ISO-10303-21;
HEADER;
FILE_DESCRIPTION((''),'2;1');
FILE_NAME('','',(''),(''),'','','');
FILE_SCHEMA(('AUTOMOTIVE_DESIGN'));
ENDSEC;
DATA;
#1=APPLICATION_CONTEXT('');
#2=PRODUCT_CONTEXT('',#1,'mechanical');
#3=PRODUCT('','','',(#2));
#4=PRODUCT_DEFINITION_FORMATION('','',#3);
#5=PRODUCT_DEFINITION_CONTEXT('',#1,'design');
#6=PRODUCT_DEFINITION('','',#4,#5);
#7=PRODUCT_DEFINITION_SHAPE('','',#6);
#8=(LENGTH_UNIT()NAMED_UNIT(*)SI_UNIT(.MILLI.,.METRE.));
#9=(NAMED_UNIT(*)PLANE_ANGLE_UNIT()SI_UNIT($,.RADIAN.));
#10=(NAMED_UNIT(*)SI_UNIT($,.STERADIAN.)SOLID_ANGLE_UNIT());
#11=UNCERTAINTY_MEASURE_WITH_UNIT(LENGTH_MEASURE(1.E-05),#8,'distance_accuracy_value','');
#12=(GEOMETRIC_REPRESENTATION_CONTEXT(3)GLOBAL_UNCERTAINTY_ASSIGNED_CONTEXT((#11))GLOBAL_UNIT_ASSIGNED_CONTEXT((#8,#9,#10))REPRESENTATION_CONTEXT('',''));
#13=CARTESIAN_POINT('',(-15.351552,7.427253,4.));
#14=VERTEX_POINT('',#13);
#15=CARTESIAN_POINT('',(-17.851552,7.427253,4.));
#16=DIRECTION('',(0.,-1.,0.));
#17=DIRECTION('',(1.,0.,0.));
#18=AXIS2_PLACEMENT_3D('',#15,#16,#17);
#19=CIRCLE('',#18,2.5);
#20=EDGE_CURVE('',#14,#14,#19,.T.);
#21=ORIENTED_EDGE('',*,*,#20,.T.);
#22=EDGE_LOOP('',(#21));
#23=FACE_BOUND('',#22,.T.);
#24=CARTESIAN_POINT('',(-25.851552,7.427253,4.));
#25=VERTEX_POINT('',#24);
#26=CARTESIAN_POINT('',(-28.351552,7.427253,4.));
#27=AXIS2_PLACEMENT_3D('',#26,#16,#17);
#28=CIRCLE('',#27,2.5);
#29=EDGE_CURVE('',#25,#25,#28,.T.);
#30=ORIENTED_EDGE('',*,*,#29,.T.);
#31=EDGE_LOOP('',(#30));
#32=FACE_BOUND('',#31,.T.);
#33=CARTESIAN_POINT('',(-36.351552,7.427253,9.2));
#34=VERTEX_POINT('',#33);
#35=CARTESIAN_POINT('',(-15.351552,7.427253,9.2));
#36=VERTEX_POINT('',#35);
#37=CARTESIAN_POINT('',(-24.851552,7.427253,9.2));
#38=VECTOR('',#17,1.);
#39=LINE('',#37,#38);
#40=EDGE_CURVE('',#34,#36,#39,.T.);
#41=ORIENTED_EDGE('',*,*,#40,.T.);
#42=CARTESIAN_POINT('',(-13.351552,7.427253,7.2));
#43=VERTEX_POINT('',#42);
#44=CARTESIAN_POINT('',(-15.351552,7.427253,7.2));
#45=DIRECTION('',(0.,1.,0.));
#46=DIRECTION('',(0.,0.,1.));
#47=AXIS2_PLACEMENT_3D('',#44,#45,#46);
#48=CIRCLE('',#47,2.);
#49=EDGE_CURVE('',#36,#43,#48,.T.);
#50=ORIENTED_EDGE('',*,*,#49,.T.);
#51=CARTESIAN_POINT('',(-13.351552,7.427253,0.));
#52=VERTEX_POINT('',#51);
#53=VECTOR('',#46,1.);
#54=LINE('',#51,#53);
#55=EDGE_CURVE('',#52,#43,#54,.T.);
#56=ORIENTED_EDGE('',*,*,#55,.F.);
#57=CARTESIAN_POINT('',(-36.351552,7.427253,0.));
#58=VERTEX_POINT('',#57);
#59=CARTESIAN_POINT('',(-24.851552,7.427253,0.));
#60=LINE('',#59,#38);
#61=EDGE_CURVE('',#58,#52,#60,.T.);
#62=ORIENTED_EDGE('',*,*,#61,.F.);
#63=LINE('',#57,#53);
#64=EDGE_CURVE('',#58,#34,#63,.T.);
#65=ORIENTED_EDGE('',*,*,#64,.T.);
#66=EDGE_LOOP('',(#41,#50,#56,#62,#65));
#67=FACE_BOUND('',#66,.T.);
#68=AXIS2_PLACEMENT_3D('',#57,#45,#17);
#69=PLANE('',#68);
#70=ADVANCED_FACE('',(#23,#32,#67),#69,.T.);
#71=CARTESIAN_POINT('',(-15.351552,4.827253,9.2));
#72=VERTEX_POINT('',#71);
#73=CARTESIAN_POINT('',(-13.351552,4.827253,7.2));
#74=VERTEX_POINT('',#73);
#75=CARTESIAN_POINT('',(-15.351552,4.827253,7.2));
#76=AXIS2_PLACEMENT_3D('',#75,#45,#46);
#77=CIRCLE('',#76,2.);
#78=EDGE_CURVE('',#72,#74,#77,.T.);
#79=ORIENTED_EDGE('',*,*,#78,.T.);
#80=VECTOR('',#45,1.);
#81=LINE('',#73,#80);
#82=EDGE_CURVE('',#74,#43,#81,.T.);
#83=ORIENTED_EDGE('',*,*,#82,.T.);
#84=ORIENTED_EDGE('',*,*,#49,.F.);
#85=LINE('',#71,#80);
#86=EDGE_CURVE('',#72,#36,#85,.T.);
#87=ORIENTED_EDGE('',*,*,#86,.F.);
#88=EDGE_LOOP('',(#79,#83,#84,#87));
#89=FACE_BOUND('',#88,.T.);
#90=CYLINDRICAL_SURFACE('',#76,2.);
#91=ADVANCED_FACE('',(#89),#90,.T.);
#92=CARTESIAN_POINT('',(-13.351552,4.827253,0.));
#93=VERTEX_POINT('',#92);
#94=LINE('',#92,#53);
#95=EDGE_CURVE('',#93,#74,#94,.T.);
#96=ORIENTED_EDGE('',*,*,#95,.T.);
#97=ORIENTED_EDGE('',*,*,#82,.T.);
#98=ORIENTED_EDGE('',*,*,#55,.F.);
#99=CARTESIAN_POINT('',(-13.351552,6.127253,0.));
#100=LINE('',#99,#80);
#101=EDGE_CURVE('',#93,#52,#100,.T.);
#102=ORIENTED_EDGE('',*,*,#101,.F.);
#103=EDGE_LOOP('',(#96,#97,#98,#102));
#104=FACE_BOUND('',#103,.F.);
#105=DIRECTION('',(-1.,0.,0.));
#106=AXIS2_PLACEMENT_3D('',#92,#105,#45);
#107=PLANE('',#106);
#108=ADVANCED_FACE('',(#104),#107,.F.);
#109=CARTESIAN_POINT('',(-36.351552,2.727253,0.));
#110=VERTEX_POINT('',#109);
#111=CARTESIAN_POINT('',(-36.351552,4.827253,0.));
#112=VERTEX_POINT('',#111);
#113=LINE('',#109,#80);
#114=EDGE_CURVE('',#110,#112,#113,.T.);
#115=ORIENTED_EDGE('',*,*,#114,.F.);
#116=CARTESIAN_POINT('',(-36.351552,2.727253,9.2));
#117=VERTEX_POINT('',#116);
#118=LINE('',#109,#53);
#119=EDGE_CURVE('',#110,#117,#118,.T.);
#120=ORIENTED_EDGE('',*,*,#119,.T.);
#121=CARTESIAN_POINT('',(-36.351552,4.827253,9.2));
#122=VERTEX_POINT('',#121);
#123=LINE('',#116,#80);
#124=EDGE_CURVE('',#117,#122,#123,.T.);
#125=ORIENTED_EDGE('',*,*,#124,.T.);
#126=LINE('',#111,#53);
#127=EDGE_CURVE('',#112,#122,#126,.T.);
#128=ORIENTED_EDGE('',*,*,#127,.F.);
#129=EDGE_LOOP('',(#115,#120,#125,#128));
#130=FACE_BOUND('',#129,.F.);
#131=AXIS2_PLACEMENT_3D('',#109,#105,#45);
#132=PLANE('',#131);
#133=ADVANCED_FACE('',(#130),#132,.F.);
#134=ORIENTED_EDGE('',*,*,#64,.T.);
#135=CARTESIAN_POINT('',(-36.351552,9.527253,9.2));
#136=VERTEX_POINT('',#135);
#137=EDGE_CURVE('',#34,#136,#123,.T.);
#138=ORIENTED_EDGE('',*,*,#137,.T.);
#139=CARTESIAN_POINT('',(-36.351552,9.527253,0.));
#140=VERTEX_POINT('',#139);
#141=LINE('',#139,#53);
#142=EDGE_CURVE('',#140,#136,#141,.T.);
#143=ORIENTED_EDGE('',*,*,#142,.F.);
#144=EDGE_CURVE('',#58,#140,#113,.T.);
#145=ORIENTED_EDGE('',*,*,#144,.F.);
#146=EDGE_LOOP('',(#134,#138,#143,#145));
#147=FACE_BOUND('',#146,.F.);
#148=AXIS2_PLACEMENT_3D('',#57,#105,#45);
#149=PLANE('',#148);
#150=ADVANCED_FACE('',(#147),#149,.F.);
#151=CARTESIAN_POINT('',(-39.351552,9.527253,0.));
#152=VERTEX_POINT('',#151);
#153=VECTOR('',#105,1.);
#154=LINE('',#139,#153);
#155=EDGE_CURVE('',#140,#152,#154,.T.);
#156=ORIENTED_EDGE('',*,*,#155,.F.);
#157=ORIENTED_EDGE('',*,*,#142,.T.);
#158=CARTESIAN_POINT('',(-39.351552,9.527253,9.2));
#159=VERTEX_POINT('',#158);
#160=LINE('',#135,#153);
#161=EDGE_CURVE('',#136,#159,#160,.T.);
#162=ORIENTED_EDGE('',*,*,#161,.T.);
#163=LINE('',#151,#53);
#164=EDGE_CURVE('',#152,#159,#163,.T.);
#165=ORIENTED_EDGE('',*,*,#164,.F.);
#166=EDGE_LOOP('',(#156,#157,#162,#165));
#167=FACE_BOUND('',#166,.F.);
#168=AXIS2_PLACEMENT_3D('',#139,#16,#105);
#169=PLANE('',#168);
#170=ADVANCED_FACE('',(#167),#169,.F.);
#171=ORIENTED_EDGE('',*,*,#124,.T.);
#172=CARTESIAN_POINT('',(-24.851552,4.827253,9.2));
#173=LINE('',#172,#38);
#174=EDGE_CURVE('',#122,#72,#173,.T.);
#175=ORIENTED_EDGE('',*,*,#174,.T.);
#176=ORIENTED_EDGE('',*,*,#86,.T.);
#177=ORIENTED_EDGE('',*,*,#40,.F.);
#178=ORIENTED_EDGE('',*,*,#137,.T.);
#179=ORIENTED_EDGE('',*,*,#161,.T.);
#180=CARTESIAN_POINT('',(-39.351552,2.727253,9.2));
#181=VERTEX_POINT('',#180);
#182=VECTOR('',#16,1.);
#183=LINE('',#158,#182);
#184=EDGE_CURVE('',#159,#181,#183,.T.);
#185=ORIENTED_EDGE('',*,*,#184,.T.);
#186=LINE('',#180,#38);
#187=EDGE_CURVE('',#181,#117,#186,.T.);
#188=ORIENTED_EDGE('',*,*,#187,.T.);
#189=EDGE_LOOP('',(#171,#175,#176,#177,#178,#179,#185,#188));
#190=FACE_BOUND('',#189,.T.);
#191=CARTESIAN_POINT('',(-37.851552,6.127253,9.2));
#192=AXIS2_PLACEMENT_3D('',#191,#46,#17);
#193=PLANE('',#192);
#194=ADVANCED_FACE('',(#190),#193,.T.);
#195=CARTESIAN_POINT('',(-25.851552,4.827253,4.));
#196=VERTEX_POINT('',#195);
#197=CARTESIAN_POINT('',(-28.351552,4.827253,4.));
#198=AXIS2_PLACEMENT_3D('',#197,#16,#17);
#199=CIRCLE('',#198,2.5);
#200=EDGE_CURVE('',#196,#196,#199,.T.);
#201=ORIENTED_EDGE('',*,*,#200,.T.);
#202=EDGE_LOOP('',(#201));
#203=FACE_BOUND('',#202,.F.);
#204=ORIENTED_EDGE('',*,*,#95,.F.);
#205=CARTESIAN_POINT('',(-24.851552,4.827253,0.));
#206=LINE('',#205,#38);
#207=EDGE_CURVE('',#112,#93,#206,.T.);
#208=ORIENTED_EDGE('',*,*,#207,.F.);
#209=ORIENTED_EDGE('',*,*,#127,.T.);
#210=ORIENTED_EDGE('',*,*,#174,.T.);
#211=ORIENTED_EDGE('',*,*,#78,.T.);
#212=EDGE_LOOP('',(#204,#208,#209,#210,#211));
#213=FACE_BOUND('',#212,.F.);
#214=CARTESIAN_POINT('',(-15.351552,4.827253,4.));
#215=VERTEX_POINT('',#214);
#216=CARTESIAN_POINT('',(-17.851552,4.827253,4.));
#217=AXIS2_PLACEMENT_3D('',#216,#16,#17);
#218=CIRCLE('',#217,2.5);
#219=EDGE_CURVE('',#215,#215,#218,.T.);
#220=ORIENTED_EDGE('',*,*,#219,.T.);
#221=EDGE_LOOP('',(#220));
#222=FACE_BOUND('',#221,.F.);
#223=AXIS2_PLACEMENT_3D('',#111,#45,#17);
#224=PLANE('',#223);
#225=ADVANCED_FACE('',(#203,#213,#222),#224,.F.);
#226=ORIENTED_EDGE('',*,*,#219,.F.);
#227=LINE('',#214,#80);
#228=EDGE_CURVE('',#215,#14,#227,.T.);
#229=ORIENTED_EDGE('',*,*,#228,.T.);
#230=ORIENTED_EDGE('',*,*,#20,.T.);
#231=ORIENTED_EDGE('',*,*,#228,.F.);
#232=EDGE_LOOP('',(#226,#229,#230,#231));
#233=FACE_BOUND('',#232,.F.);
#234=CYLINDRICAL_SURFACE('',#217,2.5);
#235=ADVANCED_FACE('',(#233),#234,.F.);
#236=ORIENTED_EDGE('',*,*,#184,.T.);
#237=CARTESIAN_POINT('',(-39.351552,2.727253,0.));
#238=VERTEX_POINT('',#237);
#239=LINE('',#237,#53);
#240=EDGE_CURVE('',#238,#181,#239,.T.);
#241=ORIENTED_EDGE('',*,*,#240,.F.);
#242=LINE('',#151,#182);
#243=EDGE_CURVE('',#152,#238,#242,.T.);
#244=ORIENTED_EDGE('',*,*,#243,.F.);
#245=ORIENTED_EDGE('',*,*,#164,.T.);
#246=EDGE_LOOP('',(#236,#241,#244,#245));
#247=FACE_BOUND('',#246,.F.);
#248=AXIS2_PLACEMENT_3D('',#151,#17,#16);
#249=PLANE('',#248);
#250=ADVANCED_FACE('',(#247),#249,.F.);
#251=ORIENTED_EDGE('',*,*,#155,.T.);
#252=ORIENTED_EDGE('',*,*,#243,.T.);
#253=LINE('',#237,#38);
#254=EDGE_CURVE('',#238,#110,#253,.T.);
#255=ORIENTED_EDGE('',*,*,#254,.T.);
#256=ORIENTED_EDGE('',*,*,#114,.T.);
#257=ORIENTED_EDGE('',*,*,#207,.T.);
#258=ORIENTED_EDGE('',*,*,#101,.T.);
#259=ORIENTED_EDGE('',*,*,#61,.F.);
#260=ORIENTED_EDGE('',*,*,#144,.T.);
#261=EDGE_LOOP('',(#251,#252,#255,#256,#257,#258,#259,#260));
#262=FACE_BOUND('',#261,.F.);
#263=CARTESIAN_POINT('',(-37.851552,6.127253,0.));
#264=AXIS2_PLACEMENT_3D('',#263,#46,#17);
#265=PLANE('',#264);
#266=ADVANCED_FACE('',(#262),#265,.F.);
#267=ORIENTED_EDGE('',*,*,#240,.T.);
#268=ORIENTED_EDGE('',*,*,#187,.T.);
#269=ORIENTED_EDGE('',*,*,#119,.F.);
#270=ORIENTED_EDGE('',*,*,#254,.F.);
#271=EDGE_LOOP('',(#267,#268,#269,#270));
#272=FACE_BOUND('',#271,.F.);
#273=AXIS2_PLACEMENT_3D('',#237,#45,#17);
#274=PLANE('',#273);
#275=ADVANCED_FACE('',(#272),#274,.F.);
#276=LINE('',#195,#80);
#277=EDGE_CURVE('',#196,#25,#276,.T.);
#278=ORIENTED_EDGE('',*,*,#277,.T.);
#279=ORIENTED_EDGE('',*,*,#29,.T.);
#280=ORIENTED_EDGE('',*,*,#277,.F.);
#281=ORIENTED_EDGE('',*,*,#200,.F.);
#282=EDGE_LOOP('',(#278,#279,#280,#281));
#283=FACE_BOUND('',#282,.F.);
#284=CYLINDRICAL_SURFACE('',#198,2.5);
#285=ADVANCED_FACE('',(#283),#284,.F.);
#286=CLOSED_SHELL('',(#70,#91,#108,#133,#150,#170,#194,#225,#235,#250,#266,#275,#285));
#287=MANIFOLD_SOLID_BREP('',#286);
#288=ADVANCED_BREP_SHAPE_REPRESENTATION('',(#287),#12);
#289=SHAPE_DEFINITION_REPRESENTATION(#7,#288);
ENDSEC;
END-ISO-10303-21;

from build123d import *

# Parameters (mm, degrees)
F0_W     = 23
F0_H     = 2.6
F1_DEPTH = 9.2
F2_R     = 2.5
F3_DEPTH = 3.1
F4_R     = 2


with BuildPart() as f1:
    # F0 (on Top) → F1 (new body)
    with BuildSketch(Plane.XY):
        Polygon((-39.351552, 9.527253), (-39.351552, 2.727253), (-36.351552, 2.727253), (-36.351552, 4.827253), (-36.351552, 7.427253), (-36.351552, 9.527253), align=None)
        with Locations((-24.851552, 6.127253)):
            Rectangle(F0_W, F0_H)
    extrude(amount=F1_DEPTH)

    # F2 (on face) → F3 (cut)
    with BuildSketch(Plane.XZ.offset(-4.827253)):
        with Locations((-28.351552, 4)):
            Circle(F2_R)
        with Locations((-17.851552, 4)):
            Circle(F2_R)
    extrude(amount=-F3_DEPTH, mode=Mode.SUBTRACT)

    # F4
    f4_edges = [f1.edges().sort_by_distance(p)[0] for p in [
        (-13.351552, 6.127253, 9.2),
    ]]
    fillet(f4_edges, radius=F4_R)


solid = f1.part
